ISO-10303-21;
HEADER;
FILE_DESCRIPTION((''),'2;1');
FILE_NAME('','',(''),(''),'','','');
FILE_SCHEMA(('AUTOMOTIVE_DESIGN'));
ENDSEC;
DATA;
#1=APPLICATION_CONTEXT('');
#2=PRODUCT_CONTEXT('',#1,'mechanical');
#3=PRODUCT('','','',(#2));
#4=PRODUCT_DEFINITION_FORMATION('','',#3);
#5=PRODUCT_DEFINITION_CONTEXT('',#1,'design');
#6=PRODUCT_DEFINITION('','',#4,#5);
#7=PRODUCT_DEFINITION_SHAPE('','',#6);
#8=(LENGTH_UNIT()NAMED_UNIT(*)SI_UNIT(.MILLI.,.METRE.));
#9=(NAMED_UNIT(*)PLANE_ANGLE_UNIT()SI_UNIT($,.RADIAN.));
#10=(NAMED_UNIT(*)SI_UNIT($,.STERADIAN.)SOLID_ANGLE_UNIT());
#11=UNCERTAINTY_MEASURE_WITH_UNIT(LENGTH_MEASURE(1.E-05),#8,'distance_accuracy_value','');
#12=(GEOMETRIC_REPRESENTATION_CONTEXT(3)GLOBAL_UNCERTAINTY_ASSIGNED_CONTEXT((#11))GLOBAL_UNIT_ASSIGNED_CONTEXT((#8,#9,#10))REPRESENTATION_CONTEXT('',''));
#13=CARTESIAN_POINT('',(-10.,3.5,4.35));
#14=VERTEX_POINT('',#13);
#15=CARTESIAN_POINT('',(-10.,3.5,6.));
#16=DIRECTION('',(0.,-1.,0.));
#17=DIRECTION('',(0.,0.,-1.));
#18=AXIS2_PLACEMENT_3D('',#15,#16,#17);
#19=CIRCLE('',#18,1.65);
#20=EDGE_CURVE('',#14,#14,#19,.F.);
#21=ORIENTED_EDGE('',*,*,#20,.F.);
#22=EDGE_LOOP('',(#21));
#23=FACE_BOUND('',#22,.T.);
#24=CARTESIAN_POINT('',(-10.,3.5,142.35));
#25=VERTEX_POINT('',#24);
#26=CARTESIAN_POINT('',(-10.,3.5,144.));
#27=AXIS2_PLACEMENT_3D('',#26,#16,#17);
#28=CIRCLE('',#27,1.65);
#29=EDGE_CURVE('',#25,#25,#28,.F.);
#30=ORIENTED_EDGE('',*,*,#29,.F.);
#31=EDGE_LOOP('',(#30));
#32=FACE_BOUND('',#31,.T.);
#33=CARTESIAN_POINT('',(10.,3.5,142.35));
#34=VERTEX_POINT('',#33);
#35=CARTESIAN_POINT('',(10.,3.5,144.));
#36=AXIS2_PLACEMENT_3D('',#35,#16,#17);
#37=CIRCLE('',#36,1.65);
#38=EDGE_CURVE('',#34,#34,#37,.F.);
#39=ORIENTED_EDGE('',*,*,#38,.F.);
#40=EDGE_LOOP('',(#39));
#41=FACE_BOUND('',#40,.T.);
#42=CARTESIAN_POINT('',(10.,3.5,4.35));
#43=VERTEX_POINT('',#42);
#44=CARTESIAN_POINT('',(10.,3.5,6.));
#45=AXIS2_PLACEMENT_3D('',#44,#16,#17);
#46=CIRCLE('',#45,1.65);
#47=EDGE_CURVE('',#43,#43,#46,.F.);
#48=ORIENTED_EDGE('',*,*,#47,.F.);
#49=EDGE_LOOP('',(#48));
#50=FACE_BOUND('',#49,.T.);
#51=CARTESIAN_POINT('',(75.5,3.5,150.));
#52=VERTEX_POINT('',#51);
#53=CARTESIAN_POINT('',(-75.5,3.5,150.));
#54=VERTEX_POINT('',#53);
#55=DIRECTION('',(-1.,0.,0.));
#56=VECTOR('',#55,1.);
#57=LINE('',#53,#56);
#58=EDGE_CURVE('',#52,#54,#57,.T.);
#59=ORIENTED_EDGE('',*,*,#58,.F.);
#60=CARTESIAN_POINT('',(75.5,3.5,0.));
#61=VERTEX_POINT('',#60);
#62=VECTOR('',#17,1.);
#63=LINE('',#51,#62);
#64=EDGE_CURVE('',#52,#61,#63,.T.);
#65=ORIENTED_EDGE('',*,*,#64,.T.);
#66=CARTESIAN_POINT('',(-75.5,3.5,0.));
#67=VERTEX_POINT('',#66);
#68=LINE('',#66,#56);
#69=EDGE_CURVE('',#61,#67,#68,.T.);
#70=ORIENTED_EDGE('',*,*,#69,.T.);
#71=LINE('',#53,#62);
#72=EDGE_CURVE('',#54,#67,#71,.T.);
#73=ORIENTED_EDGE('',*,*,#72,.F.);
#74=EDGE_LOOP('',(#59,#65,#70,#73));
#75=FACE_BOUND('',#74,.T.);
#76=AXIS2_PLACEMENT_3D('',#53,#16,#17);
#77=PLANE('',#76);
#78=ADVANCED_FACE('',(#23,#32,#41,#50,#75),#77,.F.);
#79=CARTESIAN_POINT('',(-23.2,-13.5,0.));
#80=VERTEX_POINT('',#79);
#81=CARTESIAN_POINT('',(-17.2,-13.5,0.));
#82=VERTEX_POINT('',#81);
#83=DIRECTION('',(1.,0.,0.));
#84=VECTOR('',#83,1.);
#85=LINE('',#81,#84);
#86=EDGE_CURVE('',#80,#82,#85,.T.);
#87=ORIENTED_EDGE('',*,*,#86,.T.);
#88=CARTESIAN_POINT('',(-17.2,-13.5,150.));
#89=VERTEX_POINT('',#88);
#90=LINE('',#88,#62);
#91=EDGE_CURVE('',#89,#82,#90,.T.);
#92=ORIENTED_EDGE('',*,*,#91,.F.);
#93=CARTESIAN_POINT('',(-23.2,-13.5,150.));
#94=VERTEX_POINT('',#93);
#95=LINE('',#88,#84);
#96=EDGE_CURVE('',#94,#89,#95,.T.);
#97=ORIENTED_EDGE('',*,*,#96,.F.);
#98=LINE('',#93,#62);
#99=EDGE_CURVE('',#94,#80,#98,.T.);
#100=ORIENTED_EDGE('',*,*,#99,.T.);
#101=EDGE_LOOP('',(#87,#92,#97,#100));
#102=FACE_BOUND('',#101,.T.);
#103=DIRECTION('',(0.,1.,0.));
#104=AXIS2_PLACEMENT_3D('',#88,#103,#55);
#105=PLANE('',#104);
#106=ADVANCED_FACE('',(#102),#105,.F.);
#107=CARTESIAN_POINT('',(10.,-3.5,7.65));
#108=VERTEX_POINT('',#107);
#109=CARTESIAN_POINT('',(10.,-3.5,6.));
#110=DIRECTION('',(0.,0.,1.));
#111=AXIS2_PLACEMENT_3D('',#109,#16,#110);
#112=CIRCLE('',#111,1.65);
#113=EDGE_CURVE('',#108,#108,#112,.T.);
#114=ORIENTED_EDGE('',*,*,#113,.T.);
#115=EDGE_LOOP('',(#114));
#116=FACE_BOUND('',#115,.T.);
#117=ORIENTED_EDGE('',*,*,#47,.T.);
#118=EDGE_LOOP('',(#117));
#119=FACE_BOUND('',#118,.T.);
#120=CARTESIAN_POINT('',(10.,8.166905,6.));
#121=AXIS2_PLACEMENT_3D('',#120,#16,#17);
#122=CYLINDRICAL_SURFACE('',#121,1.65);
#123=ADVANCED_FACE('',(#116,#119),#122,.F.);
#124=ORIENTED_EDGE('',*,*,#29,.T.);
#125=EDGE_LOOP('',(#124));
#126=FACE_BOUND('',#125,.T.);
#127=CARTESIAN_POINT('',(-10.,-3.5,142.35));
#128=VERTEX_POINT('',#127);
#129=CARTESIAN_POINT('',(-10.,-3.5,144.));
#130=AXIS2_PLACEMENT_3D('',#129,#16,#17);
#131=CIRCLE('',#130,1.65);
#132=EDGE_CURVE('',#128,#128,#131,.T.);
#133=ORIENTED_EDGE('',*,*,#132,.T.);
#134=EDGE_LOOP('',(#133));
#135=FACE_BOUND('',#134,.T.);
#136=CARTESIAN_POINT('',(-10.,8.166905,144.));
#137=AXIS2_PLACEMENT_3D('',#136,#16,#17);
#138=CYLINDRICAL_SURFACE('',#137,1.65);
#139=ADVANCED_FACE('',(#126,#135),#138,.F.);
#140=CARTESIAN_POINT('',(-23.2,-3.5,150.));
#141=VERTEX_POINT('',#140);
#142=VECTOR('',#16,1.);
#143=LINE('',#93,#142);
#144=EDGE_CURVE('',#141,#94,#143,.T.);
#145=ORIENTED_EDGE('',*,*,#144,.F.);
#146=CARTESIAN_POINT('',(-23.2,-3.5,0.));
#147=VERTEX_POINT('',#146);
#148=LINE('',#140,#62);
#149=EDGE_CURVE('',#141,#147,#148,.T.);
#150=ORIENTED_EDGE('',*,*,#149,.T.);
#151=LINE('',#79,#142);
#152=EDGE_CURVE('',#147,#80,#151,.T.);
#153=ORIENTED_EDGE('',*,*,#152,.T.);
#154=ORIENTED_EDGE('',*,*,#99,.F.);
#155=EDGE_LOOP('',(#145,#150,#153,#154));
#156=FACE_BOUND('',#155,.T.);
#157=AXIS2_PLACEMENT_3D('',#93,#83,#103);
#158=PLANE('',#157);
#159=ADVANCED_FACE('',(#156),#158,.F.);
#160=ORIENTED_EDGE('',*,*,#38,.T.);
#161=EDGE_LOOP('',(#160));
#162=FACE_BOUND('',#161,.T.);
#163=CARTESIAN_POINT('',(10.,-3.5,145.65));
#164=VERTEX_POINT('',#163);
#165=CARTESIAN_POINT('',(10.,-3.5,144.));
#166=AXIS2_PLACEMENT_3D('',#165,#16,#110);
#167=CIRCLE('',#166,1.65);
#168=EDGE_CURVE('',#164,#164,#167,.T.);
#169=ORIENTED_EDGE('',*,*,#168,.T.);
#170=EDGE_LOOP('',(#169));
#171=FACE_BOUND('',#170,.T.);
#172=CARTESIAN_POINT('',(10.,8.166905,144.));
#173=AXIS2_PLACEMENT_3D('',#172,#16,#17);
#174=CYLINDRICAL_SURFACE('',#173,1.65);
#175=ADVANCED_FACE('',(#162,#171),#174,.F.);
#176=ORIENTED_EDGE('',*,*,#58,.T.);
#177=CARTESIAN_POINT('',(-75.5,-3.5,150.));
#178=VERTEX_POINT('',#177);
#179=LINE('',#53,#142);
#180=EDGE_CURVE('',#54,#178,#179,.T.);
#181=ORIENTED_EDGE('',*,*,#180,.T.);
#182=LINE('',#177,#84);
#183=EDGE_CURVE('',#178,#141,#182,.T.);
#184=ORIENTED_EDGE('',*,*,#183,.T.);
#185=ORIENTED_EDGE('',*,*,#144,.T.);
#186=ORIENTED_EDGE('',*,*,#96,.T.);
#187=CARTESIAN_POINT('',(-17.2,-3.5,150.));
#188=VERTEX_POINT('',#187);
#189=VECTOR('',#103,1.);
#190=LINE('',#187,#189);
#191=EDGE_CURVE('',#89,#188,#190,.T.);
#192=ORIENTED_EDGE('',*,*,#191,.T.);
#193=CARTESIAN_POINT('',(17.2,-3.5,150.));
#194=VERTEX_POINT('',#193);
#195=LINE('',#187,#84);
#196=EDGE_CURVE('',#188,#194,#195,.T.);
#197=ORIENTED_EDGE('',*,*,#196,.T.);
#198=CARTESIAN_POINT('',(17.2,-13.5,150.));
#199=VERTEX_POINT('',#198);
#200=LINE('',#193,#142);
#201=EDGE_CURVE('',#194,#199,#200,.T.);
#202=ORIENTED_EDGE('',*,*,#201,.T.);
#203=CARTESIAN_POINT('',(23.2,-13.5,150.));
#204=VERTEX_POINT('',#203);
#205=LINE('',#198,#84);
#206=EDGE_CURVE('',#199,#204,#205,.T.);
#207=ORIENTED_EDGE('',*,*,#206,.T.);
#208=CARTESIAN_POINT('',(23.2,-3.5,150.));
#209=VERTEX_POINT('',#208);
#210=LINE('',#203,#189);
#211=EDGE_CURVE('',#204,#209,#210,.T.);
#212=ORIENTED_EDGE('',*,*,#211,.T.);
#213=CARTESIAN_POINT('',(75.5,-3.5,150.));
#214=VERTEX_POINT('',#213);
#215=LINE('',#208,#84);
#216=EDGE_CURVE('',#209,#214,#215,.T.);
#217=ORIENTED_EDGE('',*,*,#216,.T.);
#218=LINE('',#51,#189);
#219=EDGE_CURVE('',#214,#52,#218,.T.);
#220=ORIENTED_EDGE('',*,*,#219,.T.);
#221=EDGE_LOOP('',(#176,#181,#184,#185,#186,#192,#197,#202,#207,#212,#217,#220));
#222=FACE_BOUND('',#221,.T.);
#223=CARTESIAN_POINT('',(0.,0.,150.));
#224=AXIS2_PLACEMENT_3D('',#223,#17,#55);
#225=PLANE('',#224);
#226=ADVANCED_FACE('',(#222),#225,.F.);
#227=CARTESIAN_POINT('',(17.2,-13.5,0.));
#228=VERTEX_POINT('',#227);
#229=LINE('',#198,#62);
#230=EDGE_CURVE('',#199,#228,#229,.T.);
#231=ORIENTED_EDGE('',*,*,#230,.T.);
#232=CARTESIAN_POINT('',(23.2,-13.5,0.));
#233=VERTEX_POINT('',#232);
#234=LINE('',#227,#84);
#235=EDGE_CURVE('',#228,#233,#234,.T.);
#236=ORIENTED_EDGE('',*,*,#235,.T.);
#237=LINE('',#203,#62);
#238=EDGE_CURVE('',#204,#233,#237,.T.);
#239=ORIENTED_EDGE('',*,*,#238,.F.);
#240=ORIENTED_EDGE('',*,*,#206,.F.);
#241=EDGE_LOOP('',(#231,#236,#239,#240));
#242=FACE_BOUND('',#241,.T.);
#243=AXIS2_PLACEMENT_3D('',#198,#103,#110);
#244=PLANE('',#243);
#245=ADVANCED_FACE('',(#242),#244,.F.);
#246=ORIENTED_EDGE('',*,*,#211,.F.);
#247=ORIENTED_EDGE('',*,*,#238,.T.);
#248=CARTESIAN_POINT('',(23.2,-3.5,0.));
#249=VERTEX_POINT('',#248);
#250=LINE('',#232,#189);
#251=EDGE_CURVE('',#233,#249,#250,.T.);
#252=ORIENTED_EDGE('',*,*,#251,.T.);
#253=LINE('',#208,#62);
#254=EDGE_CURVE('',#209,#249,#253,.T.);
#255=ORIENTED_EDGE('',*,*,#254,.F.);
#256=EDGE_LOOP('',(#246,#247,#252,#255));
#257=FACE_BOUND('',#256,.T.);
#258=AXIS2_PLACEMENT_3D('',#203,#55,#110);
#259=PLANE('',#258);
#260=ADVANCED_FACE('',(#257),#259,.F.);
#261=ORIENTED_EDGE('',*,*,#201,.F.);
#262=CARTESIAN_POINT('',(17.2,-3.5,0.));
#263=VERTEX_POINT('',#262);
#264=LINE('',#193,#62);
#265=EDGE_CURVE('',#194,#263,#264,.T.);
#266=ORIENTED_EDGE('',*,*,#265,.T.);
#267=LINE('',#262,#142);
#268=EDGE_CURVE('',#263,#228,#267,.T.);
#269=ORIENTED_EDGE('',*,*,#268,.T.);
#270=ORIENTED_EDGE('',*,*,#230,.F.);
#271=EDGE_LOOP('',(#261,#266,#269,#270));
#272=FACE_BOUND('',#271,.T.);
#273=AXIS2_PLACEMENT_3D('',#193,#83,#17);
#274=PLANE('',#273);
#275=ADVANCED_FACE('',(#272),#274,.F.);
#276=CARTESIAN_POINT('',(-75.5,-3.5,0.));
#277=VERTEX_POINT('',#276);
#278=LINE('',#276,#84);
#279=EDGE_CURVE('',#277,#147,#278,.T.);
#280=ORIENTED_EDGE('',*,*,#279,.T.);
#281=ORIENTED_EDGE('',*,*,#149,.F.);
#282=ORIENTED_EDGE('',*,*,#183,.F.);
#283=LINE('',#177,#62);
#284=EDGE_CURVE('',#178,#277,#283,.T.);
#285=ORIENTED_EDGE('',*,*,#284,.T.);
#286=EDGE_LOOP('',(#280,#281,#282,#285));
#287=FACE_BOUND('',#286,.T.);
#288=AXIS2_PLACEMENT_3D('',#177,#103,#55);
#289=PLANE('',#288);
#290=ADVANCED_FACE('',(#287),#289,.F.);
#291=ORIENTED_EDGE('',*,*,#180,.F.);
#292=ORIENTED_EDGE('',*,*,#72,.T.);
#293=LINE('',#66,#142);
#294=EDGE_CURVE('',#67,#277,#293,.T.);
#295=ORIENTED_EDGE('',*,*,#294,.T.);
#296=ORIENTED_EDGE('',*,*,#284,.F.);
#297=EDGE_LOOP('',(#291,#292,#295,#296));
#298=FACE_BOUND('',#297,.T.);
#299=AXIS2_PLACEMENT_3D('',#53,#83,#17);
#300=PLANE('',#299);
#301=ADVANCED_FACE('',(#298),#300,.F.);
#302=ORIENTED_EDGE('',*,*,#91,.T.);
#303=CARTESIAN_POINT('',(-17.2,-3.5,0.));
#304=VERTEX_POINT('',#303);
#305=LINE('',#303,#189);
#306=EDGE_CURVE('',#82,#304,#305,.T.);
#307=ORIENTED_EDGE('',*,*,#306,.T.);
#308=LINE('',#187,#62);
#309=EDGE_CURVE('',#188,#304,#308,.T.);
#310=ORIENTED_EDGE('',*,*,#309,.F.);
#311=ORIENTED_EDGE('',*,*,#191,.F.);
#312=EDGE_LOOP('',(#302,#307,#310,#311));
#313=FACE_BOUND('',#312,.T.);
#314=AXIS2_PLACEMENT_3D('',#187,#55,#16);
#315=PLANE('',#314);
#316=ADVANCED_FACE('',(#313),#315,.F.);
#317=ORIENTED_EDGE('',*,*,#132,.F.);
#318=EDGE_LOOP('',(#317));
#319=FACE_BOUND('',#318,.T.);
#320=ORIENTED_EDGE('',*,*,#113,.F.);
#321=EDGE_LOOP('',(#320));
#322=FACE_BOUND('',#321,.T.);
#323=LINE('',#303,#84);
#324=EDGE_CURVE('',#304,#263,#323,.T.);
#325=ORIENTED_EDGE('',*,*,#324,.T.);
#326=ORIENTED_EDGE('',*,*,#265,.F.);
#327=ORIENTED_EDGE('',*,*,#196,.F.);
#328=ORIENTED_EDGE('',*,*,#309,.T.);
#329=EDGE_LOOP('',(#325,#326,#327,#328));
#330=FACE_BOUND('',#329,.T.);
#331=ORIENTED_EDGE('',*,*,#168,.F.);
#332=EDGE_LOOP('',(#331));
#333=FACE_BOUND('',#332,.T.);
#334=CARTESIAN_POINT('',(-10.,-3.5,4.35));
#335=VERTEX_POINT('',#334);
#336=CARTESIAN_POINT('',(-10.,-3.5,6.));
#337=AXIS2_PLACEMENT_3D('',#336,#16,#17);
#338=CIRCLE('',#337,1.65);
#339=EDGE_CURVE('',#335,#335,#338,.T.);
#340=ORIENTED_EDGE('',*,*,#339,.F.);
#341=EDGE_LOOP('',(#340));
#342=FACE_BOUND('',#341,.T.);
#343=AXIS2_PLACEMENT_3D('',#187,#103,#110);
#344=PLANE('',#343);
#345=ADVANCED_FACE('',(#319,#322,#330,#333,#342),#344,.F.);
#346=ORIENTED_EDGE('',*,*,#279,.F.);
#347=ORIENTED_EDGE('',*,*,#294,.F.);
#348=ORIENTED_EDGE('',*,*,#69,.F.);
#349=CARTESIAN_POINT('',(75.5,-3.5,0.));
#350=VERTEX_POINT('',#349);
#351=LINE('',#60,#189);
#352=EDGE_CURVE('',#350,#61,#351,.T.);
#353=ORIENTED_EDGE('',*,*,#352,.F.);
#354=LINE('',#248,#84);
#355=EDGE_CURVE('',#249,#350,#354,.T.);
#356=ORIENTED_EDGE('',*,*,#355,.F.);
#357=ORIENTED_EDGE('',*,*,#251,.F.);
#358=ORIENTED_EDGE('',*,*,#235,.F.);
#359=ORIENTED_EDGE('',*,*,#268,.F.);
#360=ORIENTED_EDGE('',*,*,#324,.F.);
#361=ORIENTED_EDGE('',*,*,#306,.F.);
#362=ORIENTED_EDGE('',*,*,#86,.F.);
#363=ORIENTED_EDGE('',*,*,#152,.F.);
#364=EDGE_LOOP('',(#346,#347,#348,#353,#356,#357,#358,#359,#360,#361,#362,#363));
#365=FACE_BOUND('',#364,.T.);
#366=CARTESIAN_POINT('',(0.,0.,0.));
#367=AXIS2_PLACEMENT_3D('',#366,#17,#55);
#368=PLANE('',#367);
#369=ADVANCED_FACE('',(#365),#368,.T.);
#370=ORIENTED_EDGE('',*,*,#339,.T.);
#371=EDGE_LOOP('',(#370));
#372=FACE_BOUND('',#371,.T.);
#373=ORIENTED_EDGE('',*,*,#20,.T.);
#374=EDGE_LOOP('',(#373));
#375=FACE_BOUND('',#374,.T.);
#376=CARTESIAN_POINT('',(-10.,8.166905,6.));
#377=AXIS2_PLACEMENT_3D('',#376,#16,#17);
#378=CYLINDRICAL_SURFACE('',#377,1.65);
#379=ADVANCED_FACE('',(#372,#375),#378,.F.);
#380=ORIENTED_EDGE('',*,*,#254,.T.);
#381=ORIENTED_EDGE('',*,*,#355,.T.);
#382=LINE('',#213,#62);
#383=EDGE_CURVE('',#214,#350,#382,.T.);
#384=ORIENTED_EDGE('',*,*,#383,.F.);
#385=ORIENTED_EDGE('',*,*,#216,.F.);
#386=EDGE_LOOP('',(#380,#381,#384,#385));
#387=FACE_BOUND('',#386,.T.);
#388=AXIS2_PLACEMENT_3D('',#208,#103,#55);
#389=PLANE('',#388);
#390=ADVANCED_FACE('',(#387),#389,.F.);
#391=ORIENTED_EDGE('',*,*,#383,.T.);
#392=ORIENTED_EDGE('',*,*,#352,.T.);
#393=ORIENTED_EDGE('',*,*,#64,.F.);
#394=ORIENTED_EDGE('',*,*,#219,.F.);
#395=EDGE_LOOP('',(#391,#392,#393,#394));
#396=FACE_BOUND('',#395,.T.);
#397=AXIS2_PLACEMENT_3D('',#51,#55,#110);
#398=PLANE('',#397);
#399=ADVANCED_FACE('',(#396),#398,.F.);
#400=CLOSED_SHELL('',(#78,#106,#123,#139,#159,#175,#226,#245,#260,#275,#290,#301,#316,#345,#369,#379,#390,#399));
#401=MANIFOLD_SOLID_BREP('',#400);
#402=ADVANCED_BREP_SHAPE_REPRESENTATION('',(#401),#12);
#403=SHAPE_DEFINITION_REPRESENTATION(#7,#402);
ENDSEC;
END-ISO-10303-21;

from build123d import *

# Parameters (mm, degrees)
BOSS_EXTRUDE1_DEPTH = 150
SKETCH4_R           = 1.65
CUT_EXTRUDE1_DEPTH  = 7


with BuildPart() as part:
    # Sketch1 → Boss-Extrude1 (new body)
    with BuildSketch(Plane.XY):
        Polygon((-75.5, 3.5), (75.5, 3.5), (75.5, -3.5), (23.2, -3.5), (23.2, -13.5), (17.2, -13.5), (17.2, -3.5), (-17.2, -3.5), (-17.2, -13.5), (-23.2, -13.5), (-23.2, -3.5), (-75.5, -3.5), align=None)
    extrude(amount=BOSS_EXTRUDE1_DEPTH)

    # Sketch4 → Cut-Extrude1 (cut)
    with BuildSketch(Plane.XZ.offset(3.5)):
        with Locations((-10, 6)):
            Circle(SKETCH4_R)
        with Locations((10, 6)):
            Circle(SKETCH4_R)
        with Locations((-10, 144)):
            Circle(SKETCH4_R)
        with Locations((10, 144)):
            Circle(SKETCH4_R)
    extrude(amount=-CUT_EXTRUDE1_DEPTH, mode=Mode.SUBTRACT)


solid = part.part
